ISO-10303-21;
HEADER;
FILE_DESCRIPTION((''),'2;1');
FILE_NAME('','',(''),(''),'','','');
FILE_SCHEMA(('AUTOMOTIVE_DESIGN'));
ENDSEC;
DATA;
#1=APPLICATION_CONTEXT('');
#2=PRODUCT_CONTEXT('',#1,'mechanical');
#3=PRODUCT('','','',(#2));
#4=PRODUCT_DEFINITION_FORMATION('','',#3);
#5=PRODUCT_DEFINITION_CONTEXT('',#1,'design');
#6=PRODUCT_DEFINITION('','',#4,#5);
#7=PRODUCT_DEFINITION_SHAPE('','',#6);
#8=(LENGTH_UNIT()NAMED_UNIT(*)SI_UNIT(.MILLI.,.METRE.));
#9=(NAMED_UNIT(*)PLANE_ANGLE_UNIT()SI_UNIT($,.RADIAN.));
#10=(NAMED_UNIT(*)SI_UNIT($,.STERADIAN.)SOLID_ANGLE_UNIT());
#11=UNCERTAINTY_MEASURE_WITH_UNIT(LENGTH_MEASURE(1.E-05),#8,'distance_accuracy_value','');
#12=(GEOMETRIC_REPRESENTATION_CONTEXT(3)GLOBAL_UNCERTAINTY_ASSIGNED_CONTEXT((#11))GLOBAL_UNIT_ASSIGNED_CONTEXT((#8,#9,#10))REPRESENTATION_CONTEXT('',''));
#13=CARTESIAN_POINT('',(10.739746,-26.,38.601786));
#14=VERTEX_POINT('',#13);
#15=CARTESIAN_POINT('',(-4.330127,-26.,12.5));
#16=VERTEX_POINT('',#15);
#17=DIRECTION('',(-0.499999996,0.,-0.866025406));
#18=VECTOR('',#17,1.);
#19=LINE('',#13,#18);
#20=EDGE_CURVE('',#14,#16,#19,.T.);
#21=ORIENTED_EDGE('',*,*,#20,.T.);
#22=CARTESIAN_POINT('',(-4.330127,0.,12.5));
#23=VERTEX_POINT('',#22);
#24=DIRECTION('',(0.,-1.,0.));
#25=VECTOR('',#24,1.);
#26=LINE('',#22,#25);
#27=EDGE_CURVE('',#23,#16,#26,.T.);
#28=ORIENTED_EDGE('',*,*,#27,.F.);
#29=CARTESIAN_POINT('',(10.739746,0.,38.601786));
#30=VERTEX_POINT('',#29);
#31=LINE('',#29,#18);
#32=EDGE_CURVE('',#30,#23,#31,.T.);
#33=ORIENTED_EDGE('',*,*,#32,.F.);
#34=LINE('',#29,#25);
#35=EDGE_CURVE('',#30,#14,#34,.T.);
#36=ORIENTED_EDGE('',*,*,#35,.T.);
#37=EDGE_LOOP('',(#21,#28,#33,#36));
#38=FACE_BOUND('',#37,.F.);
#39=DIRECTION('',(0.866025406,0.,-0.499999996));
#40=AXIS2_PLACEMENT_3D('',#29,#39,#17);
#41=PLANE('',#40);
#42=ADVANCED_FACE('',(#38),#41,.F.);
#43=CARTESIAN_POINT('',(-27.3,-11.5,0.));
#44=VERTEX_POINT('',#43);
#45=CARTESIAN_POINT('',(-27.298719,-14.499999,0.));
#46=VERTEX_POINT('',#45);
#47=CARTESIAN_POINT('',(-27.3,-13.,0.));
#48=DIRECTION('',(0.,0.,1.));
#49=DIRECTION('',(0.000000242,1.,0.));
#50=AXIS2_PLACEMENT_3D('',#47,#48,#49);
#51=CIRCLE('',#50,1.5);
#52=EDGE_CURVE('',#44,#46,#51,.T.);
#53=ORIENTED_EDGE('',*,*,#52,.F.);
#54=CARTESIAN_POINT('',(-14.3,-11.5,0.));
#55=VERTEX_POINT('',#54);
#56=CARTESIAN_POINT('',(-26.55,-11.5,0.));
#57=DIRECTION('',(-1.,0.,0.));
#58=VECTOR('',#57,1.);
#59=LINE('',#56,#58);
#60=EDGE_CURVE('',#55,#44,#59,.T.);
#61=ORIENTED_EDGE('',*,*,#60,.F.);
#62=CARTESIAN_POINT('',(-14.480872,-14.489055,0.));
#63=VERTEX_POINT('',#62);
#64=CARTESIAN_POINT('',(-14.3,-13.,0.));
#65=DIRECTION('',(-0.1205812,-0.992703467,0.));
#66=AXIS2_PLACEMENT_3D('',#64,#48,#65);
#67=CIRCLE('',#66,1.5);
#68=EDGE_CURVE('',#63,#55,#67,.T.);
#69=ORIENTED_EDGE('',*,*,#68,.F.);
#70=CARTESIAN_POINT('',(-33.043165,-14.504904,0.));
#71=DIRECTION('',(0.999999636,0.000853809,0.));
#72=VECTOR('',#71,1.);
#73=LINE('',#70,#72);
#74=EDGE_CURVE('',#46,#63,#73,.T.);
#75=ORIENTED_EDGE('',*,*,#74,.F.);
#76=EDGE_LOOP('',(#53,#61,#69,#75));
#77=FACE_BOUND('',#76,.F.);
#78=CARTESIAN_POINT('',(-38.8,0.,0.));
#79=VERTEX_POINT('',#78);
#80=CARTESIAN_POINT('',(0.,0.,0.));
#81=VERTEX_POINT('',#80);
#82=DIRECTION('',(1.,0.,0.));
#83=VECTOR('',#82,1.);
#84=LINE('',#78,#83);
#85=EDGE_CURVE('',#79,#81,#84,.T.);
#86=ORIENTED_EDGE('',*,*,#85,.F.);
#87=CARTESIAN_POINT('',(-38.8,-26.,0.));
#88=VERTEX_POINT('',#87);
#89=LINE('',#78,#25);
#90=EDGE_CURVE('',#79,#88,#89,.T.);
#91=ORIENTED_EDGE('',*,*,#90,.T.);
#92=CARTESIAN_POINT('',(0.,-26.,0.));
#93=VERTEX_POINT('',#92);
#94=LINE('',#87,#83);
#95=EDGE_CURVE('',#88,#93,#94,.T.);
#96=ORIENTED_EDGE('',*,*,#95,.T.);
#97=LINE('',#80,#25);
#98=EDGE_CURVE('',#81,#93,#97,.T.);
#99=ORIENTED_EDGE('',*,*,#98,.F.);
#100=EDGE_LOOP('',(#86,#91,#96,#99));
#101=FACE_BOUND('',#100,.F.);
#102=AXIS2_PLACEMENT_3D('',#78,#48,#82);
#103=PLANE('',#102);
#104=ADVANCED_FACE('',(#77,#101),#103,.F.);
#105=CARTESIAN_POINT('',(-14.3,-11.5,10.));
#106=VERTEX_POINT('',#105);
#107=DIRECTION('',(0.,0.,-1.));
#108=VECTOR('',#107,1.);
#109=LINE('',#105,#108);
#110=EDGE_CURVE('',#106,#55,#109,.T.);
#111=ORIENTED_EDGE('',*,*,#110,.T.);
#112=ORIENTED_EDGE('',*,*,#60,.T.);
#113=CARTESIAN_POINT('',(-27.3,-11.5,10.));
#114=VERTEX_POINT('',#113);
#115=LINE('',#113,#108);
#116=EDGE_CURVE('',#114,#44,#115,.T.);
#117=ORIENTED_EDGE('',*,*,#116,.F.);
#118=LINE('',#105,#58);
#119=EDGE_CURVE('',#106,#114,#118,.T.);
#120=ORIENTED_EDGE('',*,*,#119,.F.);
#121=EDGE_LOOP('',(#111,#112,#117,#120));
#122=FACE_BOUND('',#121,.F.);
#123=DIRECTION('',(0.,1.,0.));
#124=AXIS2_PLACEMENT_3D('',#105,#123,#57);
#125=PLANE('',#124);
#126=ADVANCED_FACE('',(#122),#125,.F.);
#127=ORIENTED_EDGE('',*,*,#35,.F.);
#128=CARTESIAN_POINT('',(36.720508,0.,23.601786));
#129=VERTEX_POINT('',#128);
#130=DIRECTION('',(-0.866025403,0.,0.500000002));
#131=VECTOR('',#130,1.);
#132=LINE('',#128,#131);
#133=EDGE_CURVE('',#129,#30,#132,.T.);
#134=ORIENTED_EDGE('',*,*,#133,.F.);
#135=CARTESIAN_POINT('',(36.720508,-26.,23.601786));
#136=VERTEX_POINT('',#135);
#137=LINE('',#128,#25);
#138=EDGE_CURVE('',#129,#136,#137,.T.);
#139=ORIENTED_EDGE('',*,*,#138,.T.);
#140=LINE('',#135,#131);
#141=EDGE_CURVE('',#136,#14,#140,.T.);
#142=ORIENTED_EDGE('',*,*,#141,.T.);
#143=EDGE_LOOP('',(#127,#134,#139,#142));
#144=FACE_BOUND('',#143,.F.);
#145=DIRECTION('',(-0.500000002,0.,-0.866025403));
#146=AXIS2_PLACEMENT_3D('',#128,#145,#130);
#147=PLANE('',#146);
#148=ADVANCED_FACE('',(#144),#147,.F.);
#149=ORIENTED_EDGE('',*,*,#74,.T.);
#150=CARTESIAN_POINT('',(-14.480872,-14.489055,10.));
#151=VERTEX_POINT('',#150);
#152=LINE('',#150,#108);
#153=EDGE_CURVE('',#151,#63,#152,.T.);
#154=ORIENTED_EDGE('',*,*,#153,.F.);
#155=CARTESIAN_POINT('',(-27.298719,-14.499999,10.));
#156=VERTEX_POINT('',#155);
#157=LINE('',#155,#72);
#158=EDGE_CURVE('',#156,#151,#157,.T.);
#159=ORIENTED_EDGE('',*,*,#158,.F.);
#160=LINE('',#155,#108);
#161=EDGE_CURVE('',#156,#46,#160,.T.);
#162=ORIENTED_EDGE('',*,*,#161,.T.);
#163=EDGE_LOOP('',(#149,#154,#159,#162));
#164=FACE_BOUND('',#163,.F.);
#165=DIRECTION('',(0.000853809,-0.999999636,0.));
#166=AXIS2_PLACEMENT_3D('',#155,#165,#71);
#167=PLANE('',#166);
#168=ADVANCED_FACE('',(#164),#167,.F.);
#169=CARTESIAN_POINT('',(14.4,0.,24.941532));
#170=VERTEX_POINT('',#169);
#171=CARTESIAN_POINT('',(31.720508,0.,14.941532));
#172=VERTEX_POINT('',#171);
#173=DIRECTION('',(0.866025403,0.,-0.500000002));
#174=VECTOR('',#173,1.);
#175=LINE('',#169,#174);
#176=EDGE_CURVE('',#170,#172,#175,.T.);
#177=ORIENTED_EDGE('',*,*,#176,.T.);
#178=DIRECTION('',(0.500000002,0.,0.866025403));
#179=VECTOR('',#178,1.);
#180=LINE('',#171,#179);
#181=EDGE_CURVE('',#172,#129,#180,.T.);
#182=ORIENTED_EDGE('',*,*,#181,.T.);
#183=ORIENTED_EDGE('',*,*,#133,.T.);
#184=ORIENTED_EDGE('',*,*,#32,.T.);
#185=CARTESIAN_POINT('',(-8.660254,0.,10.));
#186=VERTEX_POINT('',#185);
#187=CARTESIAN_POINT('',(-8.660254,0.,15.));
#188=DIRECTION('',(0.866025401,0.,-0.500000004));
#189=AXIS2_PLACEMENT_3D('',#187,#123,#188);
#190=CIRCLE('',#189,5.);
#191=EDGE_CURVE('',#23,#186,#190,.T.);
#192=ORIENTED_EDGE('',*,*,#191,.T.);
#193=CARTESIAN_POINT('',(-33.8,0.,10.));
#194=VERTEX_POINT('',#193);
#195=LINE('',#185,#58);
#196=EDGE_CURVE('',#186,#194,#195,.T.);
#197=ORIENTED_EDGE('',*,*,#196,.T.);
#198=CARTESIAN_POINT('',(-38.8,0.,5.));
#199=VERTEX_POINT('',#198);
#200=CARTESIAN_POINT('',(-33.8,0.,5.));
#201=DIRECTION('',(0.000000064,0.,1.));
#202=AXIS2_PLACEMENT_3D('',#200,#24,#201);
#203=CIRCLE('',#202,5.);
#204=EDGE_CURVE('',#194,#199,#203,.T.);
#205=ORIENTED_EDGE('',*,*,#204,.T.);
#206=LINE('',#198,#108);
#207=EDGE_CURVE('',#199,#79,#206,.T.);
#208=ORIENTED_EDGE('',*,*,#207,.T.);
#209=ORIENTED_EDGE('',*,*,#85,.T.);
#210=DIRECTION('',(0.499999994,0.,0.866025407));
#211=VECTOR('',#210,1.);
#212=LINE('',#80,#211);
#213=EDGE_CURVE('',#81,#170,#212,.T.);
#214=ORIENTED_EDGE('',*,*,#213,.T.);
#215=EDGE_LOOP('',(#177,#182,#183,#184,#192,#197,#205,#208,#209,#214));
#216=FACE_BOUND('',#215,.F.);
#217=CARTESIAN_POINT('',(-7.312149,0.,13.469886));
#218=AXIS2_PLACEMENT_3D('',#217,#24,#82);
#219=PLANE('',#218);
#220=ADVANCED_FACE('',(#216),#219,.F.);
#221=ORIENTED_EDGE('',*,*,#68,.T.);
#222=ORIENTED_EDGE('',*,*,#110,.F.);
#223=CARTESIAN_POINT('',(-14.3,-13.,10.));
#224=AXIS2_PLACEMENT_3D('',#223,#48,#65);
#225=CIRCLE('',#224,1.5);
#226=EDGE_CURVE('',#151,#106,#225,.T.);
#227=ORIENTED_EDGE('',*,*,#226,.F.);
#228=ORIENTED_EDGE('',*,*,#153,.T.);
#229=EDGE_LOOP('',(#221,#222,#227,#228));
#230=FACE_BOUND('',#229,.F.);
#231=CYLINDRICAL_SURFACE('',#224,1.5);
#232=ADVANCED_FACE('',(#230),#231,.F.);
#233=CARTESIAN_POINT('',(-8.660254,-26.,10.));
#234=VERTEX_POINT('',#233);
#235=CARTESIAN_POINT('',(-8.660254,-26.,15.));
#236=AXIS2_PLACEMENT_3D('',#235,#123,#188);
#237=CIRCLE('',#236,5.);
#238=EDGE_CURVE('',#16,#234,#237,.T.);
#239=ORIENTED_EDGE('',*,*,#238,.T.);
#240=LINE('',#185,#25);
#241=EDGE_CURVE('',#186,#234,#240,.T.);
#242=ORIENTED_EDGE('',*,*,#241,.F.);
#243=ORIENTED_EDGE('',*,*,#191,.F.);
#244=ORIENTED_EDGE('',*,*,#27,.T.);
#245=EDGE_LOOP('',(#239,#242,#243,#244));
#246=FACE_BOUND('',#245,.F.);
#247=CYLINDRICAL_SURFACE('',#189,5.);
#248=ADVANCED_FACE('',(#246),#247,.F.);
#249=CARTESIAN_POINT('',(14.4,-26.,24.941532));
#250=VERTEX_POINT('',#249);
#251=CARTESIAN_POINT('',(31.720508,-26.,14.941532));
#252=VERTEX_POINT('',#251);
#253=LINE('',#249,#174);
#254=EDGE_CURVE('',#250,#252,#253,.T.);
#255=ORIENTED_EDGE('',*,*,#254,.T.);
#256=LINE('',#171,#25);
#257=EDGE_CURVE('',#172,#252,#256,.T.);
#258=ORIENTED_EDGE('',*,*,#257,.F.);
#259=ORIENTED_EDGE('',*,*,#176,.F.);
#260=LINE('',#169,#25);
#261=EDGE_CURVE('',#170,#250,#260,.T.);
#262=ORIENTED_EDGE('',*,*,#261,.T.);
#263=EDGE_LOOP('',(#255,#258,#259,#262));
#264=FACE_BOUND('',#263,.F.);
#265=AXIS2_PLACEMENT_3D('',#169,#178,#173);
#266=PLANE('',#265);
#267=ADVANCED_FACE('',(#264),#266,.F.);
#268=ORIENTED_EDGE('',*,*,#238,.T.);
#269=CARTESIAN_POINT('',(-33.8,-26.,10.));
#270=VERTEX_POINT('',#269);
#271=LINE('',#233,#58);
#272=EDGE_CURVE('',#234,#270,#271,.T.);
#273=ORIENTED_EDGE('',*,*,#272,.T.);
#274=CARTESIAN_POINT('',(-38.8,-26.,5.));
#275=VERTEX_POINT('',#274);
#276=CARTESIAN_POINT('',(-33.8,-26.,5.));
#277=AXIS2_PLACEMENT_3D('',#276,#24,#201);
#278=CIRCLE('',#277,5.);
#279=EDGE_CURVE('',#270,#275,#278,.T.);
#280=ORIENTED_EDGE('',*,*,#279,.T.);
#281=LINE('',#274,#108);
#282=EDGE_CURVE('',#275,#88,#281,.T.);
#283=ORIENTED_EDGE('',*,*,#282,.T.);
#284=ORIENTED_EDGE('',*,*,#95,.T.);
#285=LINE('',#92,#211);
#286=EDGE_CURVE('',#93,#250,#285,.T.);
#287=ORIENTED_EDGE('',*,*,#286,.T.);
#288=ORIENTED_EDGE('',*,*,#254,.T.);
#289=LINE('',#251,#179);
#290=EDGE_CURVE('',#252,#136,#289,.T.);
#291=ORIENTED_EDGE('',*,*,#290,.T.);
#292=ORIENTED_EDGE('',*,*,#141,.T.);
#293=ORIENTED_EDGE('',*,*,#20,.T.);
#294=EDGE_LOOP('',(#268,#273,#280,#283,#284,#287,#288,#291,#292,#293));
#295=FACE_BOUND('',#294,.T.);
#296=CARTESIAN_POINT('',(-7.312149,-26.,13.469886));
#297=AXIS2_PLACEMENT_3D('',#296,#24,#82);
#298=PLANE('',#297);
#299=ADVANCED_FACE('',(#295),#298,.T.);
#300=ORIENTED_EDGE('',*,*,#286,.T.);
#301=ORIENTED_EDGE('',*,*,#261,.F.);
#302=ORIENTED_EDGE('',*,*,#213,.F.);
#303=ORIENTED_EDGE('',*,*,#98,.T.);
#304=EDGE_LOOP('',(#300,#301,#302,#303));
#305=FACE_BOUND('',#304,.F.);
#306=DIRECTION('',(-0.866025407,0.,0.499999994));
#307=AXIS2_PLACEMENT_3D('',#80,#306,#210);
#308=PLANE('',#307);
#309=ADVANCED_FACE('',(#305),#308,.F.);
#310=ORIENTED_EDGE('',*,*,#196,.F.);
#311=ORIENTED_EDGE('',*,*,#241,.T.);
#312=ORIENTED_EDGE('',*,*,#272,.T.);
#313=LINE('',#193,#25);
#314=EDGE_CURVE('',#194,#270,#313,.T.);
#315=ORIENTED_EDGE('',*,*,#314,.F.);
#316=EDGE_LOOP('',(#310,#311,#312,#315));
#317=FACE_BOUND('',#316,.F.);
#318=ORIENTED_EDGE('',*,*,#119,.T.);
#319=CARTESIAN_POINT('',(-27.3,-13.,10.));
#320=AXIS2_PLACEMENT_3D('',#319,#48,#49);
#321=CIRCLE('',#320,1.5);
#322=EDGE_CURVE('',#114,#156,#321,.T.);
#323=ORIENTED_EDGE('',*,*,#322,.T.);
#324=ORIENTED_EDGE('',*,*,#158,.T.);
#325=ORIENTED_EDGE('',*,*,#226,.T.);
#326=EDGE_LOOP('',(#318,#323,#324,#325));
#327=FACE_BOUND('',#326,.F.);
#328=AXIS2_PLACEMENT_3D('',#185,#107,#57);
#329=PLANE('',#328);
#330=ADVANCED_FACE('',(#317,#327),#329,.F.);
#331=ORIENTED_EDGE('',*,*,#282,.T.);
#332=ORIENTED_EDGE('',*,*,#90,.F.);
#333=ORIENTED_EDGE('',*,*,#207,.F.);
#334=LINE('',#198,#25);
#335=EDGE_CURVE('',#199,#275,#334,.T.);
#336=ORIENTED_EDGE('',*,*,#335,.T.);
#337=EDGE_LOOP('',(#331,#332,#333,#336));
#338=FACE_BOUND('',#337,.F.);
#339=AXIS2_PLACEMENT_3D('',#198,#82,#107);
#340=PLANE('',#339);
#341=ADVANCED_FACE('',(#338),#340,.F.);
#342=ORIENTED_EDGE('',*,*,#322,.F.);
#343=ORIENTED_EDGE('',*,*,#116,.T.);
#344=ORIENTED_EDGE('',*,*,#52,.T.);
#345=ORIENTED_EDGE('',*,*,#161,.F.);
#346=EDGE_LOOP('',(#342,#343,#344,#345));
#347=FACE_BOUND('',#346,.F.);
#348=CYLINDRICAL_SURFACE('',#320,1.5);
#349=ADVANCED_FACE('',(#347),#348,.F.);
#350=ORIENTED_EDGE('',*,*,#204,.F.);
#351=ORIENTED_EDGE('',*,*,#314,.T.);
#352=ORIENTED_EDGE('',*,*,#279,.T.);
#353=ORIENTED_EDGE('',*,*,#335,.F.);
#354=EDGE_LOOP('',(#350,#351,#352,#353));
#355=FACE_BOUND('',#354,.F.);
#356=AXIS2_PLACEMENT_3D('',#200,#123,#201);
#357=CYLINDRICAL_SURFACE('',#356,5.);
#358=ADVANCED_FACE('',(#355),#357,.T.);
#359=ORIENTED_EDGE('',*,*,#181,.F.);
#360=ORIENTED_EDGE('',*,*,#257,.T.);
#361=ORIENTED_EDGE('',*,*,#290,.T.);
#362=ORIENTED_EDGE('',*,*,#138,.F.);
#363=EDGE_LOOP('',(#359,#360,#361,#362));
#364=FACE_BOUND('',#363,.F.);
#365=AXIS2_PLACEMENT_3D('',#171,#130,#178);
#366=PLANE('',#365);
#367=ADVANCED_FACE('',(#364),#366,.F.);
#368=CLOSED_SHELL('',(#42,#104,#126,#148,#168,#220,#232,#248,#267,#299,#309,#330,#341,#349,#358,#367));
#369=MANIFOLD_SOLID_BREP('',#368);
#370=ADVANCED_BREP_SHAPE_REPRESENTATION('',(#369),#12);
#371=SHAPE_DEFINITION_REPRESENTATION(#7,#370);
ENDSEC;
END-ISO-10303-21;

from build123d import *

# Parameters (mm, degrees)
F1_DEPTH = 26
F3_DEPTH = 10.001


with BuildPart() as f1:
    # F0 (on Front) → F1 (new body)
    with BuildSketch(Plane.XZ):
        with BuildLine():
            Line((-38.8, 0), (0, 0))
            Line((0, 0), (14.4, 24.941532))
            Line((14.4, 24.941532), (19.4, 33.601786))
            Line((19.4, 33.601786), (10.739746, 38.601786))
            Line((10.739746, 38.601786), (-4.330127, 12.5))
            ThreePointArc((-4.330127, 12.5), (-6.160254, 10.669873), (-8.660254, 10))
            Line((-8.660254, 10), (-33.8, 10))
            ThreePointArc((-33.8, 10), (-37.335534, 8.535534), (-38.8, 5))
            Line((-38.8, 5), (-38.8, 0))
        make_face()
        Polygon((19.4, 33.601786), (14.4, 24.941532), (31.720508, 14.941532), (36.720508, 23.601786), align=None)
    extrude(amount=F1_DEPTH)

    # F2 (on face) → F3 (cut, through all)
    with BuildSketch(Plane.XY.offset(10)):
        with BuildLine():
            Line((-14.3, -11.5), (-27.3, -11.5))
            ThreePointArc((-27.3, -11.5), (-28.8, -13.00064), (-27.298719, -14.499999))
            Line((-27.298719, -14.499999), (-14.480872, -14.489055))
            ThreePointArc((-14.480872, -14.489055), (-12.802739, -13.090601), (-14.3, -11.5))
        make_face()
    extrude(amount=-F3_DEPTH, mode=Mode.SUBTRACT)


solid = f1.part
